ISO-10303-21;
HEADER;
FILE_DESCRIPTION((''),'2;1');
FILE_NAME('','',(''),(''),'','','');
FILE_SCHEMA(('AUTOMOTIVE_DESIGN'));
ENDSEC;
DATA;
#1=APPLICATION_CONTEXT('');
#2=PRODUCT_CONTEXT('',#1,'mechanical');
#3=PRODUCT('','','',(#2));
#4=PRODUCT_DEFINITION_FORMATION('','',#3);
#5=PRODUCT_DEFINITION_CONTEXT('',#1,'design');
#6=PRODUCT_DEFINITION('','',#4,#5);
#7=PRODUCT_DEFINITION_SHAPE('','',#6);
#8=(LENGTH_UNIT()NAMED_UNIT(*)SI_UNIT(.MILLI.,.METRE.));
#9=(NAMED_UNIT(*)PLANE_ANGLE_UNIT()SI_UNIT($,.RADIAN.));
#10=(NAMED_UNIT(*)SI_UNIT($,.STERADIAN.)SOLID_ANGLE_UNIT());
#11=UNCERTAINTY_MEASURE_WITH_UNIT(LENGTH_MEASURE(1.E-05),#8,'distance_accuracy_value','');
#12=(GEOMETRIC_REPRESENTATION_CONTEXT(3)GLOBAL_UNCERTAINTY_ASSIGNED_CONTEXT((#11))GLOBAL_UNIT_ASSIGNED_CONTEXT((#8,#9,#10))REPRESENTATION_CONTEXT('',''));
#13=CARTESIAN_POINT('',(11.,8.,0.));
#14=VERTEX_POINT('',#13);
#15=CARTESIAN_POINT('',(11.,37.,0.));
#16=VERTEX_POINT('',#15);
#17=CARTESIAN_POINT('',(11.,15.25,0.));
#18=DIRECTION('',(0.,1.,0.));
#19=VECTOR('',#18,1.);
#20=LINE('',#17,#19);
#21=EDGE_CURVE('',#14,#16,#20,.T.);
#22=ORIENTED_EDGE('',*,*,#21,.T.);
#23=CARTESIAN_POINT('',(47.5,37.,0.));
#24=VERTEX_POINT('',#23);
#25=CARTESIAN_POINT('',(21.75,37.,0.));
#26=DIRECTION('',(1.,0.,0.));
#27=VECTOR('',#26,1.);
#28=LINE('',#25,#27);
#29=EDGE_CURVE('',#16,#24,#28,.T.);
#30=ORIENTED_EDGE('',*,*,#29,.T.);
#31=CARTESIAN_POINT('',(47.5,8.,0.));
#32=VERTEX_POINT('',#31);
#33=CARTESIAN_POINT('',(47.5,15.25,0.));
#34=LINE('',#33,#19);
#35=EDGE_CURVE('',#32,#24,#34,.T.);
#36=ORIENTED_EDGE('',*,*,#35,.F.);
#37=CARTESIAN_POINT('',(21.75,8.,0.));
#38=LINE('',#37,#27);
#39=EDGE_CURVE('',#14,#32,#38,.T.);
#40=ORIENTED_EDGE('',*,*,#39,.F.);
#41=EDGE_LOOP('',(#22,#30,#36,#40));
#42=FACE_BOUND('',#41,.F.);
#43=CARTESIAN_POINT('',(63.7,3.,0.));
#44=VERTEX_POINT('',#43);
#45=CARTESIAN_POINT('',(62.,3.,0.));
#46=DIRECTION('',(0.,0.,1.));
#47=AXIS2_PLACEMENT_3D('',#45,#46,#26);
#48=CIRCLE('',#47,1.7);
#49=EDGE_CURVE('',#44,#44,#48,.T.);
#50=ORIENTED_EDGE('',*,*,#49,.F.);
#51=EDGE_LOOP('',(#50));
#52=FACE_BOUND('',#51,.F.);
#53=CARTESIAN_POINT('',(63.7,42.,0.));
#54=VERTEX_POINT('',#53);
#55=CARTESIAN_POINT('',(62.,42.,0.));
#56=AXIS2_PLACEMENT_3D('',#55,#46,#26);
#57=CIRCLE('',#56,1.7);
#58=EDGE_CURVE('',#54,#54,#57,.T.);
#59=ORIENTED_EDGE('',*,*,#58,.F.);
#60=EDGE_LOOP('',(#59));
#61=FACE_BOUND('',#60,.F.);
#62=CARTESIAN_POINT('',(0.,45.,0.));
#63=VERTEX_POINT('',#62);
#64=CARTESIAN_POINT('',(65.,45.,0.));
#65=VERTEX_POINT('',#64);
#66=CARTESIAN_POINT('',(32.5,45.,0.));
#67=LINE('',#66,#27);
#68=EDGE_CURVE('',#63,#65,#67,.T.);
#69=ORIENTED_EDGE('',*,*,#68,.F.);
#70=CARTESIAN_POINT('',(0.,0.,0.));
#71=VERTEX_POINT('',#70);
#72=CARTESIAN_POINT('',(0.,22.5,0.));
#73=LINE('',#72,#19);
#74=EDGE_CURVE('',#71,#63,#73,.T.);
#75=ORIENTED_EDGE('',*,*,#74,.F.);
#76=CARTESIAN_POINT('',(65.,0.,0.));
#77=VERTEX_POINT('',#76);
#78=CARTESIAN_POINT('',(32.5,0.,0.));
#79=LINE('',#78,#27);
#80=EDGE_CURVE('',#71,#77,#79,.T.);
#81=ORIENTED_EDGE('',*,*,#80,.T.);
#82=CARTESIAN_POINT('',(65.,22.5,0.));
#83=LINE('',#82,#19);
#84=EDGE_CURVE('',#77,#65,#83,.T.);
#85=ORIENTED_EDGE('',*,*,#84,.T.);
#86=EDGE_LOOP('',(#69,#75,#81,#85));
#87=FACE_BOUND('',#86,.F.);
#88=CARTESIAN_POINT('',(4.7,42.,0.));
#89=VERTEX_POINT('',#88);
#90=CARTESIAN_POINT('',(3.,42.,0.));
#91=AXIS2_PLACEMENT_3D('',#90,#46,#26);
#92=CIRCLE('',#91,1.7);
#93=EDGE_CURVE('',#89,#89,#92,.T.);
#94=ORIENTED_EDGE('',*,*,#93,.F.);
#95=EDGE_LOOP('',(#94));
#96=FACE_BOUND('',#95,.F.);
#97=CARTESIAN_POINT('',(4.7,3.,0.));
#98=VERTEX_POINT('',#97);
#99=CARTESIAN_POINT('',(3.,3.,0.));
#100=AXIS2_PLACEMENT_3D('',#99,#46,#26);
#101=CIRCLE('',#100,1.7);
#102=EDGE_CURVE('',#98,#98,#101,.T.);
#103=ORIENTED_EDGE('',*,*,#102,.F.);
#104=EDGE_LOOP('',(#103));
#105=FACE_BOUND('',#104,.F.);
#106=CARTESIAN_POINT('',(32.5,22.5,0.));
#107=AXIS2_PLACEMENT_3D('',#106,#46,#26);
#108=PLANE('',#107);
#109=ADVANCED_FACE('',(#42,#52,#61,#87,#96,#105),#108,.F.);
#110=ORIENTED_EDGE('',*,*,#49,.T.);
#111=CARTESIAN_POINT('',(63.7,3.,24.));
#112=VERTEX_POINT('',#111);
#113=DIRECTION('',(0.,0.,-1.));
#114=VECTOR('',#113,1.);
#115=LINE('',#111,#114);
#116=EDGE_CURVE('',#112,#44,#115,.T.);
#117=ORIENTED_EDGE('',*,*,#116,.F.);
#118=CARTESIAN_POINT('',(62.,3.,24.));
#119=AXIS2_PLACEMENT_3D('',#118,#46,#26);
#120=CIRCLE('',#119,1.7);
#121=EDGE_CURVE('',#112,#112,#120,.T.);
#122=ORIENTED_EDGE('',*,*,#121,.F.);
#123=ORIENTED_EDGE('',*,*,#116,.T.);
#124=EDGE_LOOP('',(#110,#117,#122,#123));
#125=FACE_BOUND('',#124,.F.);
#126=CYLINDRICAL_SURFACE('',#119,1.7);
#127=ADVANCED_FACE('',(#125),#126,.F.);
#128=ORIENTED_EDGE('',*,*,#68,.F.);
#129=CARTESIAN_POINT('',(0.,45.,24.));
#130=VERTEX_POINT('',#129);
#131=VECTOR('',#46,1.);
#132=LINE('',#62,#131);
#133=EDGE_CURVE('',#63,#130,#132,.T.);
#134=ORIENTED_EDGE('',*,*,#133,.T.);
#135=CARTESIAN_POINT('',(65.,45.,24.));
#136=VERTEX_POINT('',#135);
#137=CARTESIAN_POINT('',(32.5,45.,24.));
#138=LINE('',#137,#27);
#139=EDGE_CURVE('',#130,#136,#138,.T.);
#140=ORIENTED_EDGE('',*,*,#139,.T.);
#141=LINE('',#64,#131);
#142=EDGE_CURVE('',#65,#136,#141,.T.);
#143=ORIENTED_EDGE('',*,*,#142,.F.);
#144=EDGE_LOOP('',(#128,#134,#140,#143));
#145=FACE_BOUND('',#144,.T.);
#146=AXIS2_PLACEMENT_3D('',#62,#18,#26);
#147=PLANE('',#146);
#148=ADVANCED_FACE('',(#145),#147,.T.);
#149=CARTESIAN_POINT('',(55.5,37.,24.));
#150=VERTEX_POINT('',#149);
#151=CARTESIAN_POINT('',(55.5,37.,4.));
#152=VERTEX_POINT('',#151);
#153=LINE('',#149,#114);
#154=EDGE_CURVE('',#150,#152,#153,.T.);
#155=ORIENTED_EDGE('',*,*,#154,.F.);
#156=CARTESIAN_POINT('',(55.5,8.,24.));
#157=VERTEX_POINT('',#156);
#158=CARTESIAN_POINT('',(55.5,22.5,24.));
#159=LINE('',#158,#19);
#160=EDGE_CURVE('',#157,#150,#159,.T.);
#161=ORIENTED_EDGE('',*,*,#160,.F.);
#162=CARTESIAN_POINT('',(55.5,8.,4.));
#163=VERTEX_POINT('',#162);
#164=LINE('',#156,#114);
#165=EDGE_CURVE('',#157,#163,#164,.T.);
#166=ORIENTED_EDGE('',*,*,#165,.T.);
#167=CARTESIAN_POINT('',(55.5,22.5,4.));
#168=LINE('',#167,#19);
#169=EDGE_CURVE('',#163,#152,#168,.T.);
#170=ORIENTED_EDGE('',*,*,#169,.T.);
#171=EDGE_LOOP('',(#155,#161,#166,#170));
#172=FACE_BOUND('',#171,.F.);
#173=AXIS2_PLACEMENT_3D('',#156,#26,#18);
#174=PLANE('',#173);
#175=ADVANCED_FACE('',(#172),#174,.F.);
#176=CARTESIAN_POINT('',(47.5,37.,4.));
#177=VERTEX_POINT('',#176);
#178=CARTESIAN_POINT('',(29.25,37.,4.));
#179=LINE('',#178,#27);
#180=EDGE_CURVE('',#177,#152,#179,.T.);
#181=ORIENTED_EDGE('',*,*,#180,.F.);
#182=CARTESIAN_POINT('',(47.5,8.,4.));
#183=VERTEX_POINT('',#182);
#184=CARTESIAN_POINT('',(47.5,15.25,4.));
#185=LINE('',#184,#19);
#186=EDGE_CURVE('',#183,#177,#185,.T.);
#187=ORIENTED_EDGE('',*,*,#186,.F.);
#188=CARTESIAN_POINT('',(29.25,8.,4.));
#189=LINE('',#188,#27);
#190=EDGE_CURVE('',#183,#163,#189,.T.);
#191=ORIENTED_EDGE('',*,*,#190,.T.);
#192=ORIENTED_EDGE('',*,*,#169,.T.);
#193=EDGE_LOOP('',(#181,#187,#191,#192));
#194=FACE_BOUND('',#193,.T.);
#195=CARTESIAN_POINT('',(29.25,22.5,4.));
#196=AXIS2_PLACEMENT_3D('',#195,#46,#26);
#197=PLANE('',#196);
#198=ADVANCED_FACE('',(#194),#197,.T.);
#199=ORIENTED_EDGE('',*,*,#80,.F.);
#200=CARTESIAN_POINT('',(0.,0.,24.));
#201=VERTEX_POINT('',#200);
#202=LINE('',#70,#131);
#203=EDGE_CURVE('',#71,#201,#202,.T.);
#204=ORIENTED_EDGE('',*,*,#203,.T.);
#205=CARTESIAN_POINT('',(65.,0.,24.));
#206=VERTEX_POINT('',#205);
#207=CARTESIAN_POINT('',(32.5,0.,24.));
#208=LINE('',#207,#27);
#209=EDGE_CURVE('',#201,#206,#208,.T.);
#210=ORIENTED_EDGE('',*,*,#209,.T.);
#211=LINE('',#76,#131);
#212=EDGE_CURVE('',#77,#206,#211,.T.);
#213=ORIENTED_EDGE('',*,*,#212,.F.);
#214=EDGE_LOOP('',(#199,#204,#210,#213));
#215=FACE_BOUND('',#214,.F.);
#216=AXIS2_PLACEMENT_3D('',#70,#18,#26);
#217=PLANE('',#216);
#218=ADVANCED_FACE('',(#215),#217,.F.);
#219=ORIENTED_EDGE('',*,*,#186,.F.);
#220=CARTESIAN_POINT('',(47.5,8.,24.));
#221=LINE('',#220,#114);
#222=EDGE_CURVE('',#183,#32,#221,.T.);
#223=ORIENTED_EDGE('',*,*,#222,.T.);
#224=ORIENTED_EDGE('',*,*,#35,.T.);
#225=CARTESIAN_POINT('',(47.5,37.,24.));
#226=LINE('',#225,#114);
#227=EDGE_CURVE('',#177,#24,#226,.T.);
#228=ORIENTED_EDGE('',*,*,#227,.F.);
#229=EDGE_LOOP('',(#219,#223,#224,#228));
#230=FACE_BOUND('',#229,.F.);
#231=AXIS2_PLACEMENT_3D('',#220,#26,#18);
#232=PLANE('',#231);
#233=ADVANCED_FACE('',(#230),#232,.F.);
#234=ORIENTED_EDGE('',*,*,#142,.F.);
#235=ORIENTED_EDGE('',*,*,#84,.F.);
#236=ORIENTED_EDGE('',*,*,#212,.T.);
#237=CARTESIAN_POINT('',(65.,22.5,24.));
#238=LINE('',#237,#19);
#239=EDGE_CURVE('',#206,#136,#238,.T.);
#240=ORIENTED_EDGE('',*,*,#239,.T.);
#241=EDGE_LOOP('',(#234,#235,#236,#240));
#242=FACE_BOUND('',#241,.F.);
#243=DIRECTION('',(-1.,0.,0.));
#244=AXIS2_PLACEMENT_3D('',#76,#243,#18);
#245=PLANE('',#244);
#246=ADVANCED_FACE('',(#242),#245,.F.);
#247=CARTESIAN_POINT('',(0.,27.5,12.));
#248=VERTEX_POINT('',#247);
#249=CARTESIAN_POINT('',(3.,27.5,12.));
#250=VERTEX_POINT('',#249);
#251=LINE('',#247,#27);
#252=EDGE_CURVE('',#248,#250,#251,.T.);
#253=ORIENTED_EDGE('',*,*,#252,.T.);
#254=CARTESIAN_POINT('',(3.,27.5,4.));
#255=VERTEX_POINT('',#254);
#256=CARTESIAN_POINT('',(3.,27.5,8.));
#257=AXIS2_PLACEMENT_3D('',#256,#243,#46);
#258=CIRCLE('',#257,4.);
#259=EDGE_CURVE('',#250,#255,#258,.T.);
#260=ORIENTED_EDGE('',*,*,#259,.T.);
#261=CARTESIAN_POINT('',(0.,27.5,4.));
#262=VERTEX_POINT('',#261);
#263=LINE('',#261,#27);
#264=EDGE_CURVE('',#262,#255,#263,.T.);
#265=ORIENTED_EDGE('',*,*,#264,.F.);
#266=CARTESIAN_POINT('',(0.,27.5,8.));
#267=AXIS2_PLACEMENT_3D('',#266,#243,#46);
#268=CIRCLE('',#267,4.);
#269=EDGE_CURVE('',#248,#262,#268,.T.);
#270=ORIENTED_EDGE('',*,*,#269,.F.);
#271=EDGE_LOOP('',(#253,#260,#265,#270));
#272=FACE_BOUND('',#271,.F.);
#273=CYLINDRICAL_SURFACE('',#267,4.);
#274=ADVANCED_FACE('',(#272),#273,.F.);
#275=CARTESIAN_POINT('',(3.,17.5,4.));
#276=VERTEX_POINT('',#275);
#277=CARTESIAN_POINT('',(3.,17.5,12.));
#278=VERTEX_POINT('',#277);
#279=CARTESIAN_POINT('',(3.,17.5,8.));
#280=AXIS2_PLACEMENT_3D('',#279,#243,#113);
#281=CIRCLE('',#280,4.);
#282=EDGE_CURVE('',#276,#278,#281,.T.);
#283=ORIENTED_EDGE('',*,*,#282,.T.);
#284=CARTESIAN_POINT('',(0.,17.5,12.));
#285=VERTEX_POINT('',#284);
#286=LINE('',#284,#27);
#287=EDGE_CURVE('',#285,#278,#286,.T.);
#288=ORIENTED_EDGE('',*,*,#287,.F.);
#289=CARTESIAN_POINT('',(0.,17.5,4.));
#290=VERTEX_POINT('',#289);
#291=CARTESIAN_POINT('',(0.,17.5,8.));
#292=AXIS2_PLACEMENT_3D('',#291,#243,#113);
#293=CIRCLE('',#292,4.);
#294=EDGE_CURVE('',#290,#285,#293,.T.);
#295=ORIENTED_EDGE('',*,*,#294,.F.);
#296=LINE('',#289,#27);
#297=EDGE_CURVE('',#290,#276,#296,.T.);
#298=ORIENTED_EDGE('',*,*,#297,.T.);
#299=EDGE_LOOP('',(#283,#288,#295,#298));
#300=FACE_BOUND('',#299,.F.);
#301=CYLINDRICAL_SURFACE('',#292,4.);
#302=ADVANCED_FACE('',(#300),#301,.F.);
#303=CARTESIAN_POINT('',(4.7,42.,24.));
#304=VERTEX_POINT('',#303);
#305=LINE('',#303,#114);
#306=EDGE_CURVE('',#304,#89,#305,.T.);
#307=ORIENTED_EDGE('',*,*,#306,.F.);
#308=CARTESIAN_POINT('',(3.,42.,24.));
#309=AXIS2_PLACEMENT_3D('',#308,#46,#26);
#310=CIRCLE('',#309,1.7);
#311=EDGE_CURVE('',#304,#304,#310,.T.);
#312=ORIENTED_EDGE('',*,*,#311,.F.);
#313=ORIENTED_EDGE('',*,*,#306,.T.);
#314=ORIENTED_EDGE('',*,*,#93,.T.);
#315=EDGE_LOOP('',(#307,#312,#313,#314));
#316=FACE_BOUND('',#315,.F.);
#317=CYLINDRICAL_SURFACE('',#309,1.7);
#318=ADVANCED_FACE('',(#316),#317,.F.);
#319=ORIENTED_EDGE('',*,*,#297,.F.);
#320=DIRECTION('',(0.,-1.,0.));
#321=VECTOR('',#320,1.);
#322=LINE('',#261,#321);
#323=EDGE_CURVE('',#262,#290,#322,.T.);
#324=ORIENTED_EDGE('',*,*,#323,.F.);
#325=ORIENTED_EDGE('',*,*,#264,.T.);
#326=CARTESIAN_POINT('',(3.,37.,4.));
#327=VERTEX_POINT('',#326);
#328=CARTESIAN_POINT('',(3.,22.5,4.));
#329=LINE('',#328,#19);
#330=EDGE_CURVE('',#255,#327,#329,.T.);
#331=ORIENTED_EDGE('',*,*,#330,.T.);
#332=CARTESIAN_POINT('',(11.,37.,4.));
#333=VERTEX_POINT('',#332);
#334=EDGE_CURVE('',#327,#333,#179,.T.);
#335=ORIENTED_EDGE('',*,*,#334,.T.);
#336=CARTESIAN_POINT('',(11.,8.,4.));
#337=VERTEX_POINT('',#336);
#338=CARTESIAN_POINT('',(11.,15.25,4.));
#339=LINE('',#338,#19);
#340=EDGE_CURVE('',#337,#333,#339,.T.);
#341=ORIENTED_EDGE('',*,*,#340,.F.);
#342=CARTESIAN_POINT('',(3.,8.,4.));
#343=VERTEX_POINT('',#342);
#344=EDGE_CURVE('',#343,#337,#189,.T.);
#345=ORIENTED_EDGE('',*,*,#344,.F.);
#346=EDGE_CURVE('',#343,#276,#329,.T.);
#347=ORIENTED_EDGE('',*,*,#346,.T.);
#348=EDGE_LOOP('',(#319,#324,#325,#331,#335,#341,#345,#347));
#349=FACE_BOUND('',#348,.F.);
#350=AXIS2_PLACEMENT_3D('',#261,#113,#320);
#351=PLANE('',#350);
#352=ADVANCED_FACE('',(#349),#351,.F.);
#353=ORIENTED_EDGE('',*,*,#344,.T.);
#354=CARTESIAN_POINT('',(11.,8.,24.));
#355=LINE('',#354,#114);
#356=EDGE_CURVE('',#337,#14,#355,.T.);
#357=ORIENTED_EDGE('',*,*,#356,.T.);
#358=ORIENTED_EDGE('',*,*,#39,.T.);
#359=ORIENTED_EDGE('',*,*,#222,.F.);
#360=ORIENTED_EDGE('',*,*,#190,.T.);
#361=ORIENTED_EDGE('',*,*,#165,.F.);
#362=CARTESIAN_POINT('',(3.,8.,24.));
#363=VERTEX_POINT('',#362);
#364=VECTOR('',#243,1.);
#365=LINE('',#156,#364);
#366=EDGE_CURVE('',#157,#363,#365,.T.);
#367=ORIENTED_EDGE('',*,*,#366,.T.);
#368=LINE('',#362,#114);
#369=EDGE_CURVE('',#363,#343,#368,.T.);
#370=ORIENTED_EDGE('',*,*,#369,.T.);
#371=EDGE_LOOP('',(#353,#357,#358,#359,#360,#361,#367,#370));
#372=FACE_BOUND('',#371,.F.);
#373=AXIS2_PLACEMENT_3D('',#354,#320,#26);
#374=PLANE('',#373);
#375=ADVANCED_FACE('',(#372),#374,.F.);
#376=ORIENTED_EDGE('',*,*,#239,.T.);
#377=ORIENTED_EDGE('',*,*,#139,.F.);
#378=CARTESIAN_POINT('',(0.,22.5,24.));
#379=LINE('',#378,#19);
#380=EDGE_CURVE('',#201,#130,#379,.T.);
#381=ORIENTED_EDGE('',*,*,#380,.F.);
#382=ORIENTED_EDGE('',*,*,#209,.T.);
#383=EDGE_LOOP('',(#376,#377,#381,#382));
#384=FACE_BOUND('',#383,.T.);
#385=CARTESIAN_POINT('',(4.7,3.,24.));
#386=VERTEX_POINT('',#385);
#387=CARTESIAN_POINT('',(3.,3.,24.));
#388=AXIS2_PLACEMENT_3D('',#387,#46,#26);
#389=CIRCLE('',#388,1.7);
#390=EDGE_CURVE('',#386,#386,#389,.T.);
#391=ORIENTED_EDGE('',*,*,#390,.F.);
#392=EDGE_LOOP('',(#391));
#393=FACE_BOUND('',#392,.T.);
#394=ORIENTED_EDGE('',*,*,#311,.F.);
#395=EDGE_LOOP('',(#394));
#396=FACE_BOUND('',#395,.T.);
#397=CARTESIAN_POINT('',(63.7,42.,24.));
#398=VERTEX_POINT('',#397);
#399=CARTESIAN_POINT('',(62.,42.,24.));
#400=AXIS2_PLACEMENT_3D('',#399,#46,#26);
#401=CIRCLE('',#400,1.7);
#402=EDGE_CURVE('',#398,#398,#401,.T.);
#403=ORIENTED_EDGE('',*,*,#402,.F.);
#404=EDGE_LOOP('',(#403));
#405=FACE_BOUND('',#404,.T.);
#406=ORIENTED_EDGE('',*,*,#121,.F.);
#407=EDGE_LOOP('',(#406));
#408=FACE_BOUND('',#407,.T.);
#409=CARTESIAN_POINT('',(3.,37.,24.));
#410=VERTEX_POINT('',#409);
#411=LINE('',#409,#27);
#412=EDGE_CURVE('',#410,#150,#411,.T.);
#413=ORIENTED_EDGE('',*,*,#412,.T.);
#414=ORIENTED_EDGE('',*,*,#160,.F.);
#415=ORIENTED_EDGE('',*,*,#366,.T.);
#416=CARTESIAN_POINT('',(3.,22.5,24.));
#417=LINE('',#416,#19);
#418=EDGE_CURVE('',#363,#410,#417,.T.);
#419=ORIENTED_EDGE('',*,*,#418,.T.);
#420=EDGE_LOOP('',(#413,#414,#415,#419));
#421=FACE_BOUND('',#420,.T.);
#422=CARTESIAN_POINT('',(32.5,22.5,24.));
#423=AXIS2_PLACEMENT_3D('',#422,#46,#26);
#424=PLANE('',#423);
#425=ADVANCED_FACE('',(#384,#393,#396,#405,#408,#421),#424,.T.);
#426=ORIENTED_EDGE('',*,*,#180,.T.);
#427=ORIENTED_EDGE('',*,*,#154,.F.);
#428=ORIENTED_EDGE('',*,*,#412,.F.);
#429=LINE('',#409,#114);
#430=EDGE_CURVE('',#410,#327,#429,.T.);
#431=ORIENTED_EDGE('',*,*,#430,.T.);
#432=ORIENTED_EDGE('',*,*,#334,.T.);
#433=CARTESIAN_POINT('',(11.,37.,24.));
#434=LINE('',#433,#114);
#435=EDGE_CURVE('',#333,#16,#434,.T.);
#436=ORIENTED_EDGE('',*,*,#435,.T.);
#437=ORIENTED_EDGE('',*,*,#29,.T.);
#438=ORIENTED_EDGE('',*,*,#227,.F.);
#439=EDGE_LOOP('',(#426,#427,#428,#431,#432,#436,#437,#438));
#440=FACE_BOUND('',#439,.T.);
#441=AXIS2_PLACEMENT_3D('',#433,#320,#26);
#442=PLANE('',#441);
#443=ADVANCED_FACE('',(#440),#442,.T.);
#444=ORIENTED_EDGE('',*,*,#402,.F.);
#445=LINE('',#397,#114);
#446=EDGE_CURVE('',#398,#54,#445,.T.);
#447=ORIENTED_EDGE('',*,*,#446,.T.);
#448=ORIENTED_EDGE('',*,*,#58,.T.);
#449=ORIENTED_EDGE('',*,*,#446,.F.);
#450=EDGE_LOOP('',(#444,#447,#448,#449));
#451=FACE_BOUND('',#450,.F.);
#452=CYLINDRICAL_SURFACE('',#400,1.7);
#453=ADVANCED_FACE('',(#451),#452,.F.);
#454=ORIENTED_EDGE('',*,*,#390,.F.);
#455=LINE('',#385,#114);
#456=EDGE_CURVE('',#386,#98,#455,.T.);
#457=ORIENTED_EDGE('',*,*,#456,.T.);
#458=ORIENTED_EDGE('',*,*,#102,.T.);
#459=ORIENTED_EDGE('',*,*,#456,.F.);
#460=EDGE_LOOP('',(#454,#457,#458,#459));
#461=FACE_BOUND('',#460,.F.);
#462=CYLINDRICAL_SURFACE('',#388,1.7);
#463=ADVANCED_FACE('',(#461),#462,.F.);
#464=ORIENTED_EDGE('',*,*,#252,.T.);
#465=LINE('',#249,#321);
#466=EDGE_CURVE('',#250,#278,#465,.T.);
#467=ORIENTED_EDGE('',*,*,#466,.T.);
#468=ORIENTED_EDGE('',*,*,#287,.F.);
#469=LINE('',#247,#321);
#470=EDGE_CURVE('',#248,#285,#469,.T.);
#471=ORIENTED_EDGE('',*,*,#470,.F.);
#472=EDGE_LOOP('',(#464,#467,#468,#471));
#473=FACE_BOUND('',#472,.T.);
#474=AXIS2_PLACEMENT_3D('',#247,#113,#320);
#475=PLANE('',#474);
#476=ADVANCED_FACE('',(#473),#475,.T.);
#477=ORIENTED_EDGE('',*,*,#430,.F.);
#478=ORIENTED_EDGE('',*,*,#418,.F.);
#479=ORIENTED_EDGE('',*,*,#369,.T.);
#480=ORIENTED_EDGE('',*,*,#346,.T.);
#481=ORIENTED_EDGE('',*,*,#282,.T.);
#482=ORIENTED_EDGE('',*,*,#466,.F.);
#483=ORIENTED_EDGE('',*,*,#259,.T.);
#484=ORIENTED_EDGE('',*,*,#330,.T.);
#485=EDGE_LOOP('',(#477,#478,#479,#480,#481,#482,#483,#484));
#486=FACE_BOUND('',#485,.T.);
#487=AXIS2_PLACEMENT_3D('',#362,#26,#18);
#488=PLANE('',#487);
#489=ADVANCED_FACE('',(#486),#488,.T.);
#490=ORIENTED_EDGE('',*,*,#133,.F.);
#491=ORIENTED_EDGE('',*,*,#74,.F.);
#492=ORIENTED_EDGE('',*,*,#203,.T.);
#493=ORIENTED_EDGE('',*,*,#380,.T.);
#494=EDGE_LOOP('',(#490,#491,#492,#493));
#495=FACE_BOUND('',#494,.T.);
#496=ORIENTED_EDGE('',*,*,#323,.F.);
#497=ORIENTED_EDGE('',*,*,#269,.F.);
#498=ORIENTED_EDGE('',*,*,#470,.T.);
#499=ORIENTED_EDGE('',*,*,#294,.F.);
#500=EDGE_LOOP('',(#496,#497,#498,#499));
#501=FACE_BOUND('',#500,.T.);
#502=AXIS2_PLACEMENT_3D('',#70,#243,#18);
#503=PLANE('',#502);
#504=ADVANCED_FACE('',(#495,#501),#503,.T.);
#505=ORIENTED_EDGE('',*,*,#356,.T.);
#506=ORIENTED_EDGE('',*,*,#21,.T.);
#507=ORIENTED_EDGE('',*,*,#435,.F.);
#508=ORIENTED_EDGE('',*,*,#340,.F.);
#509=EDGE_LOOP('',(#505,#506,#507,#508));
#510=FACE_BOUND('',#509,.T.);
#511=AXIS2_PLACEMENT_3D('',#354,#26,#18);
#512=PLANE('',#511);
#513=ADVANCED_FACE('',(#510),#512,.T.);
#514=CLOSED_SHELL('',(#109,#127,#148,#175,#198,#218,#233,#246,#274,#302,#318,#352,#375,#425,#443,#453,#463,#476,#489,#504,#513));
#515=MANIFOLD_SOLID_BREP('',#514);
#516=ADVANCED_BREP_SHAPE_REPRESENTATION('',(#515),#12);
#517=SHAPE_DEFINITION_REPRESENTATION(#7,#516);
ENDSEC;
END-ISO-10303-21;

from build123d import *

# Parameters (mm, degrees)
SKETCH_W        = 65
SKETCH_H        = 45
PAD_DEPTH       = 24
SKETCH001_W     = 52.5
SKETCH001_H     = 29
POCKET_DEPTH    = 20
SKETCH002_R     = 1.7
SKETCH002_W     = 36.5
SKETCH002_H     = 29
POCKET001_DEPTH = 24.001
POCKET002_DEPTH = 3


with BuildPart() as part:
    # Sketch → Pad (new body)
    with BuildSketch(Plane.XY):
        with Locations((32.5, 22.5)):
            Rectangle(SKETCH_W, SKETCH_H)
    extrude(amount=PAD_DEPTH)

    # Sketch001 (on Face6 of Pad) → Pocket (cut)
    with BuildSketch(Plane.XY.offset(24)):
        with Locations((29.25, 22.5)):
            Rectangle(SKETCH001_W, SKETCH001_H)
    extrude(amount=-POCKET_DEPTH, mode=Mode.SUBTRACT)

    # Sketch002 (on Face5 of Pocket) → Pocket001 (cut, through all)
    with BuildSketch(Plane.XY.offset(24)):
        with Locations((3, 42)):
            Circle(SKETCH002_R)
        with Locations((62, 42)):
            Circle(SKETCH002_R)
        with Locations((62, 3)):
            Circle(SKETCH002_R)
        with Locations((3, 3)):
            Circle(SKETCH002_R)
        with Locations((29.25, 22.5)):
            Rectangle(SKETCH002_W, SKETCH002_H)
    extrude(amount=-POCKET001_DEPTH, mode=Mode.SUBTRACT)

    # Sketch003 (on Face2 of Pocket001) → Pocket002 (cut)
    with BuildSketch(Plane(origin=(0, 0, 0), x_dir=(0, -1, 0), z_dir=(-1, 0, 0))):
        with BuildLine():
            ThreePointArc((-27.5, 12), (-31.5, 8), (-27.5, 4))
            Line((-27.5, 4), (-17.5, 4))
            ThreePointArc((-17.5, 4), (-13.5, 8), (-17.5, 12))
            Line((-27.5, 12), (-17.5, 12))
        make_face()
    extrude(amount=-POCKET002_DEPTH, mode=Mode.SUBTRACT)


solid = part.part
